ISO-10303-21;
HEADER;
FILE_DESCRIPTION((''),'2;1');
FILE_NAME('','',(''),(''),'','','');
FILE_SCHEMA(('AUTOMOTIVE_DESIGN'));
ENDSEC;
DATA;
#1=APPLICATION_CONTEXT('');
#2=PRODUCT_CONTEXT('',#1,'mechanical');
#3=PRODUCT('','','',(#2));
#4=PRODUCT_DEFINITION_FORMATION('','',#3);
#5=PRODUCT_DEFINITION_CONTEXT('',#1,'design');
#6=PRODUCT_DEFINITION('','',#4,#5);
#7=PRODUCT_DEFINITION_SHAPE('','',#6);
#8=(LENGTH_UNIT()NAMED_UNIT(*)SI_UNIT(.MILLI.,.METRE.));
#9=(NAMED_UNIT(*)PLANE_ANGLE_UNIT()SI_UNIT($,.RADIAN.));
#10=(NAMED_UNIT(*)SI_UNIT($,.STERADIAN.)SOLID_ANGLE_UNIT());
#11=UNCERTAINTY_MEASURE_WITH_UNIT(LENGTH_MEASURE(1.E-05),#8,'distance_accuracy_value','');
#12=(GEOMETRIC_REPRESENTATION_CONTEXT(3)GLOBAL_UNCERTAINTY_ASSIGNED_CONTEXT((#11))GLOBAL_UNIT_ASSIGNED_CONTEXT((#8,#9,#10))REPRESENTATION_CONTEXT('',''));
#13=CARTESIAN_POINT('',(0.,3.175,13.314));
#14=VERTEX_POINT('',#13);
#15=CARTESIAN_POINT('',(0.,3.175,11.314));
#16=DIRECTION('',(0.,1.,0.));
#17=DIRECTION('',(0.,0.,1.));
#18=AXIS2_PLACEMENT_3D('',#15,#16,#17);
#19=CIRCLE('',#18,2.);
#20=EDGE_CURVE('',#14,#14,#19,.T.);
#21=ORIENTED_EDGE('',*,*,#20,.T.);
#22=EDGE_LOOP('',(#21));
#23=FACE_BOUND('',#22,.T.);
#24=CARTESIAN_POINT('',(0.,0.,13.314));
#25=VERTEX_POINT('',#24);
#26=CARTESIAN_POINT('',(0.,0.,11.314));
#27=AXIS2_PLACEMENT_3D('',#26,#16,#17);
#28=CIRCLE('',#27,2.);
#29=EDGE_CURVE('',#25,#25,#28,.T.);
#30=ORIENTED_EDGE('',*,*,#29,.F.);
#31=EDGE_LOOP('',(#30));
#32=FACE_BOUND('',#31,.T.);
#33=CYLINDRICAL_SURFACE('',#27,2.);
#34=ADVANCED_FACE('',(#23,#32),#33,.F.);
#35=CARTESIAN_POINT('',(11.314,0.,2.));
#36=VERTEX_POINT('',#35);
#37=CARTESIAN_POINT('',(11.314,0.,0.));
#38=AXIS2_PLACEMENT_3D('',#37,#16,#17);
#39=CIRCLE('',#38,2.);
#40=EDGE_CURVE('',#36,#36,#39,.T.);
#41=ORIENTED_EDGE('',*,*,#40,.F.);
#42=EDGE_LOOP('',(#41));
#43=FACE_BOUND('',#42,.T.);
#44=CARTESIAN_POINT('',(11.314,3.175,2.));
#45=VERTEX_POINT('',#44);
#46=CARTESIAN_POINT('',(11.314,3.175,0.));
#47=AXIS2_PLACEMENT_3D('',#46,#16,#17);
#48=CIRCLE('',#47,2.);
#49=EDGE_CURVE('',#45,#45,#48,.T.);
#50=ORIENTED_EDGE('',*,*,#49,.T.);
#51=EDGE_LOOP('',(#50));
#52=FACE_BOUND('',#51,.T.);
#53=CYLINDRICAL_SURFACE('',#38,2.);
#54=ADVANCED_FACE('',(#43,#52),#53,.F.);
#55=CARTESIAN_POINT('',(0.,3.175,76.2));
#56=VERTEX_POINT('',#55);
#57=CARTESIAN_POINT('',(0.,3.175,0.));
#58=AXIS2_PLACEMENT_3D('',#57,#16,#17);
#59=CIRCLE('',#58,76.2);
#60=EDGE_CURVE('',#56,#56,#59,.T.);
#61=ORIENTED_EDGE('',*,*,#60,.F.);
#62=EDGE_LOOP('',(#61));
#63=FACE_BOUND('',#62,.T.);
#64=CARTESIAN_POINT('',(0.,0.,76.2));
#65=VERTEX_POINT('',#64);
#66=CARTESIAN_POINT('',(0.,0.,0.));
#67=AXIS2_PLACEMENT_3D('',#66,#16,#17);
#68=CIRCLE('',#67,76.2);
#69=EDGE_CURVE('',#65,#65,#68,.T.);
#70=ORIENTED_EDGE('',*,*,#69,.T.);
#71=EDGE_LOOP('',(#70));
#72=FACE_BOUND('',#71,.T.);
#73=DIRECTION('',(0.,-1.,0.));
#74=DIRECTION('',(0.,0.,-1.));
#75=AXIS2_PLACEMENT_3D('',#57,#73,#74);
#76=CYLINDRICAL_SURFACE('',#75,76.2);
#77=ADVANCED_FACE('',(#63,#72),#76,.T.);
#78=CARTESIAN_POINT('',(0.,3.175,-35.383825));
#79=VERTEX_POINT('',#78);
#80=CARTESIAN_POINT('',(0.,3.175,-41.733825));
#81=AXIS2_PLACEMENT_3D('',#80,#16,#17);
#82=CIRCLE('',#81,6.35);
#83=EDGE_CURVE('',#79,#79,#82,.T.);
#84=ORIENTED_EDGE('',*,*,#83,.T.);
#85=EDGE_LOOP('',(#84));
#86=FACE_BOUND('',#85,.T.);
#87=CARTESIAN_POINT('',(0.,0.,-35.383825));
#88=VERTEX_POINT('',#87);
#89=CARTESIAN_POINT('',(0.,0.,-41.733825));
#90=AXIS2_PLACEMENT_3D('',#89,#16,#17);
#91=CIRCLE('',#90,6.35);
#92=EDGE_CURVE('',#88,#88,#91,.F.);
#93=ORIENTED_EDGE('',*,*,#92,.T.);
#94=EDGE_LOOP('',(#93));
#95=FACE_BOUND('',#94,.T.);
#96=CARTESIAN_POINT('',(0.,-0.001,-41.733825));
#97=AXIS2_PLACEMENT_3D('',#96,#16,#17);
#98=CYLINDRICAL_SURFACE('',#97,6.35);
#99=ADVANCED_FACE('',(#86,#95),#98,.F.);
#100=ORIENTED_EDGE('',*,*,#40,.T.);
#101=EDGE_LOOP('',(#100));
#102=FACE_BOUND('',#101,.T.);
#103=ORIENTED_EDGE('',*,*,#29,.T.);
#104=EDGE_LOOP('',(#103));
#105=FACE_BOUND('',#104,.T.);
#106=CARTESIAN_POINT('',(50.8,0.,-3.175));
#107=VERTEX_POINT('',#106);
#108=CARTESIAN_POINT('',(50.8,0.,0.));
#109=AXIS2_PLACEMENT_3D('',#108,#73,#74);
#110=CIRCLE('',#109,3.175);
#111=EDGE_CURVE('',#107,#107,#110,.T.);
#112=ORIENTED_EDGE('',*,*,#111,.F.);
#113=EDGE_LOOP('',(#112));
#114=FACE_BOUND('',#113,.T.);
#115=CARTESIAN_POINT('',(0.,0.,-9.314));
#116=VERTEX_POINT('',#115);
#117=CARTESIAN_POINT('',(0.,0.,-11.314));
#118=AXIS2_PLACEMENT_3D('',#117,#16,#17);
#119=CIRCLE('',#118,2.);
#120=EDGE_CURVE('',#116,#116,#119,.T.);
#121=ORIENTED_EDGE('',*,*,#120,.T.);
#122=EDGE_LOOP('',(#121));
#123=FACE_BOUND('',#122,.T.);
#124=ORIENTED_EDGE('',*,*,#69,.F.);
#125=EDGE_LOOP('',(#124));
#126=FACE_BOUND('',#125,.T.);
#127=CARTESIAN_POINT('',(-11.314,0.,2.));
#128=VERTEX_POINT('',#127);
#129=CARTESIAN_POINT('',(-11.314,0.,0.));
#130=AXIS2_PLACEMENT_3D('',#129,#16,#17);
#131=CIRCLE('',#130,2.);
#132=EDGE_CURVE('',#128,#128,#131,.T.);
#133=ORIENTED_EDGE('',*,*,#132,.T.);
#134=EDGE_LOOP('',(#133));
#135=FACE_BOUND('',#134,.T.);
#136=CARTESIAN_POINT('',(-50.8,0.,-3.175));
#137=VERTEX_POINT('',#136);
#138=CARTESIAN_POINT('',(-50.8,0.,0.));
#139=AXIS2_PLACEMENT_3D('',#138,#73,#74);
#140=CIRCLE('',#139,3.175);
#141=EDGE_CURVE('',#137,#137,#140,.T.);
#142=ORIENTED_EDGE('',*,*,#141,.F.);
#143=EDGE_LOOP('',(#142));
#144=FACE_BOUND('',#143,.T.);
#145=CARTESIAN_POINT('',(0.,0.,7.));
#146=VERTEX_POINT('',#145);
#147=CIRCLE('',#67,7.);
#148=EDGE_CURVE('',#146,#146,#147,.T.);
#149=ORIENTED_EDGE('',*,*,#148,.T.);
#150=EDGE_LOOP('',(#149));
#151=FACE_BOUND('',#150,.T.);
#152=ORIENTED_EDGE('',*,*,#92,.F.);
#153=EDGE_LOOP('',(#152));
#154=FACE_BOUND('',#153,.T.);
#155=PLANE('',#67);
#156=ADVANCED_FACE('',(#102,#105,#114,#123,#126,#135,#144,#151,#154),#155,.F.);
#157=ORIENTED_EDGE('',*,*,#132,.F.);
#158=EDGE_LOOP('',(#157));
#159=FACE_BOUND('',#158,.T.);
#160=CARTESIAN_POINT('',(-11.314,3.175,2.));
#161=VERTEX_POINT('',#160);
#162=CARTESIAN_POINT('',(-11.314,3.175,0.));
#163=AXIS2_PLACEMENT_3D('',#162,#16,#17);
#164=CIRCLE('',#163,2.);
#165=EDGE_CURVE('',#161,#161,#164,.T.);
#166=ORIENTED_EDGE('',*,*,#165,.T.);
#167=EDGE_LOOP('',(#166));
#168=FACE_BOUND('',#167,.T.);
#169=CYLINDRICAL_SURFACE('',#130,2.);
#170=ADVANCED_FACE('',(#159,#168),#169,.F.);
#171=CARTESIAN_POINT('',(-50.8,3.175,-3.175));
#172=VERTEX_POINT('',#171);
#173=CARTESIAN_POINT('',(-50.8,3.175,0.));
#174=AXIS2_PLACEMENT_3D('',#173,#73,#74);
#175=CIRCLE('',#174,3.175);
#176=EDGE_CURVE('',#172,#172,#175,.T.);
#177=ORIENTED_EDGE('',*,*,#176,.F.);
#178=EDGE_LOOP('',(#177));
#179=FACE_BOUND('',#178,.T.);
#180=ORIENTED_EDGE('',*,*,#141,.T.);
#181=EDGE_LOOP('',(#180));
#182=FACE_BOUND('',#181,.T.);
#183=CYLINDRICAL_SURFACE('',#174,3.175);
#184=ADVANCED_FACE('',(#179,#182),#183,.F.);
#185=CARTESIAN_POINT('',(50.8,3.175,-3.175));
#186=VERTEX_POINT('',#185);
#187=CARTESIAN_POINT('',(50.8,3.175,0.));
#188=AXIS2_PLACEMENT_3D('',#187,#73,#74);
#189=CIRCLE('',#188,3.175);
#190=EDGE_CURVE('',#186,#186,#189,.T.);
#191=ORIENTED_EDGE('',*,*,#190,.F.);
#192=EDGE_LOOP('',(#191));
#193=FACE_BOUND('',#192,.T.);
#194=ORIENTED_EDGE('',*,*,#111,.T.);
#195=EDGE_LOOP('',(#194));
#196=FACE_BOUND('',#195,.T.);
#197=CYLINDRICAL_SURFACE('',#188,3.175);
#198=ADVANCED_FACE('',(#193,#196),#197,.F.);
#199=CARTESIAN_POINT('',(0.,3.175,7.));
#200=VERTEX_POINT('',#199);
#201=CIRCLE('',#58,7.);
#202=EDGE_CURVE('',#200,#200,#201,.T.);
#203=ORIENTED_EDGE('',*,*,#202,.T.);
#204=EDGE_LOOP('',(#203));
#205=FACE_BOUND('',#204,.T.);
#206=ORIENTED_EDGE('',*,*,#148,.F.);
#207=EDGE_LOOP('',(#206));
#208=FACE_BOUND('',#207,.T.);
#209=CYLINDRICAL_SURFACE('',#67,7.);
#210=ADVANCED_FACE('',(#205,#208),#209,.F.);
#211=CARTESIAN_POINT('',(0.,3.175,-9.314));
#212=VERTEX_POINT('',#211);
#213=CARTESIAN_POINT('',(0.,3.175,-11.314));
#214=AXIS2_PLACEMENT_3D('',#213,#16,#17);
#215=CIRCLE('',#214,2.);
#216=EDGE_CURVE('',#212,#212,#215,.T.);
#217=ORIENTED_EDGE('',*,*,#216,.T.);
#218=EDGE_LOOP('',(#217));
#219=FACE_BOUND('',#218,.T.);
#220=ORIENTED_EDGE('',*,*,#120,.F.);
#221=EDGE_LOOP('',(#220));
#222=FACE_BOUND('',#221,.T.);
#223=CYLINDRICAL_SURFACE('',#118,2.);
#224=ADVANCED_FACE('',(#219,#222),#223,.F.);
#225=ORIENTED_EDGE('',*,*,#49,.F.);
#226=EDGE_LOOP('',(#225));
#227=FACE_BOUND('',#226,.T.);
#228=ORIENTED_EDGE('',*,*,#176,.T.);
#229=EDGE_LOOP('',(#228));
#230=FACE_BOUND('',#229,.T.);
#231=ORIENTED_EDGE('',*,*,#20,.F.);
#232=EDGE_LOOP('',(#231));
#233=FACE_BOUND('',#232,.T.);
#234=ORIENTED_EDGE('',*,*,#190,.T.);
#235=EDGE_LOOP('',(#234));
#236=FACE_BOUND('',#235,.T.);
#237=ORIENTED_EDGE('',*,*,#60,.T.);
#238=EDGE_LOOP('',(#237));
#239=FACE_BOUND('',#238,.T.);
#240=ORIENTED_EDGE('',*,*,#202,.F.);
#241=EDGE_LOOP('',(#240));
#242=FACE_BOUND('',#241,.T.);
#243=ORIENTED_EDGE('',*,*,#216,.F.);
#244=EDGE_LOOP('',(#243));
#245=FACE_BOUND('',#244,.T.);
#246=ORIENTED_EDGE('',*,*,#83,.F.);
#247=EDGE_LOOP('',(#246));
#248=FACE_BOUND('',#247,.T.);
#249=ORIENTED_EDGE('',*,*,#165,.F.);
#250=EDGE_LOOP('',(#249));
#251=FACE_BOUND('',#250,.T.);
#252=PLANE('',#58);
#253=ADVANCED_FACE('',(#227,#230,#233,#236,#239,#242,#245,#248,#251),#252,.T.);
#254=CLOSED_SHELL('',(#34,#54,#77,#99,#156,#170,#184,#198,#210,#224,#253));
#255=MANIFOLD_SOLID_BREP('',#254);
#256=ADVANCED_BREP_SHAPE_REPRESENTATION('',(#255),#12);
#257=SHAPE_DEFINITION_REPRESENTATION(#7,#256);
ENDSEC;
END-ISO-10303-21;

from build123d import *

# Parameters (mm, degrees)
SKETCH1_R           = 76.2
BOSS_EXTRUDE1_DEPTH = 3.175
SKETCH2_R           = 7
CUT_EXTRUDE1_DEPTH  = 108.809835474
SKETCH3_R           = 2
CUT_EXTRUDE2_DEPTH  = 108.809835474
SKETCH4_R           = 3.175
CUT_EXTRUDE3_DEPTH  = 108.809835474
CUT_EXTRUDE4_REACH  = 109.81
SKETCH5_R           = 6.35


with BuildPart() as part:
    # Sketch1 → Boss-Extrude1 (new body)
    with BuildSketch(Plane(origin=(0, 0, 0), x_dir=(1, 0, 0), z_dir=(0, 1, 0))):
        with Locations(Location((0, 0, 0), (0, 0, 270))):
            Circle(SKETCH1_R)
    extrude(amount=BOSS_EXTRUDE1_DEPTH)

    # Sketch2 → Cut-Extrude1 (cut, through all)
    with BuildSketch(Plane(origin=(0, 3.175, 0), x_dir=(1, 0, 0), z_dir=(0, 1, 0))):
        with Locations(Location((0, 0, 0), (0, 0, 270))):
            Circle(SKETCH2_R)
    extrude(amount=-CUT_EXTRUDE1_DEPTH, mode=Mode.SUBTRACT)

    # Sketch3 → Cut-Extrude2 (cut, through all)
    with BuildSketch(Plane(origin=(0, 3.175, 0), x_dir=(1, 0, 0), z_dir=(0, 1, 0))):
        with Locations(Location((11.314, 0, 0), (0, 0, 270))):
            Circle(SKETCH3_R)
        with Locations(Location((0, -11.314, 0), (0, 0, 270))):
            Circle(SKETCH3_R)
        with Locations(Location((-11.314, 0, 0), (0, 0, 270))):
            Circle(SKETCH3_R)
        with Locations(Location((0, 11.314, 0), (0, 0, 270))):
            Circle(SKETCH3_R)
    extrude(amount=-CUT_EXTRUDE2_DEPTH, mode=Mode.SUBTRACT)

    # Sketch4 → Cut-Extrude3 (cut, through all)
    with BuildSketch(Plane.XZ):
        with Locations(Location((-50.8, 0, 0), (0, 0, 270))):
            Circle(SKETCH4_R)
        with Locations(Location((50.8, 0, 0), (0, 0, 270))):
            Circle(SKETCH4_R)
    extrude(amount=-CUT_EXTRUDE3_DEPTH, mode=Mode.SUBTRACT)

    # Sketch5 → Cut-Extrude4 (cut, up to next)
    with BuildSketch(Plane(origin=(0, 3.175, 0), x_dir=(1, 0, 0), z_dir=(0, 1, 0)), mode=Mode.PRIVATE) as cut_extrude4_sk1:
        with Locations(Location((0, 41.73382544, 0), (0, 0, 270))):
            Circle(SKETCH5_R)
    cut_extrude4_tool1 = extrude(cut_extrude4_sk1.sketch, amount=-CUT_EXTRUDE4_REACH, mode=Mode.PRIVATE) & part.part
    add(cut_extrude4_tool1.solids().sort_by_distance((0, 3.175, -41.733825))[0], mode=Mode.SUBTRACT)


solid = part.part
